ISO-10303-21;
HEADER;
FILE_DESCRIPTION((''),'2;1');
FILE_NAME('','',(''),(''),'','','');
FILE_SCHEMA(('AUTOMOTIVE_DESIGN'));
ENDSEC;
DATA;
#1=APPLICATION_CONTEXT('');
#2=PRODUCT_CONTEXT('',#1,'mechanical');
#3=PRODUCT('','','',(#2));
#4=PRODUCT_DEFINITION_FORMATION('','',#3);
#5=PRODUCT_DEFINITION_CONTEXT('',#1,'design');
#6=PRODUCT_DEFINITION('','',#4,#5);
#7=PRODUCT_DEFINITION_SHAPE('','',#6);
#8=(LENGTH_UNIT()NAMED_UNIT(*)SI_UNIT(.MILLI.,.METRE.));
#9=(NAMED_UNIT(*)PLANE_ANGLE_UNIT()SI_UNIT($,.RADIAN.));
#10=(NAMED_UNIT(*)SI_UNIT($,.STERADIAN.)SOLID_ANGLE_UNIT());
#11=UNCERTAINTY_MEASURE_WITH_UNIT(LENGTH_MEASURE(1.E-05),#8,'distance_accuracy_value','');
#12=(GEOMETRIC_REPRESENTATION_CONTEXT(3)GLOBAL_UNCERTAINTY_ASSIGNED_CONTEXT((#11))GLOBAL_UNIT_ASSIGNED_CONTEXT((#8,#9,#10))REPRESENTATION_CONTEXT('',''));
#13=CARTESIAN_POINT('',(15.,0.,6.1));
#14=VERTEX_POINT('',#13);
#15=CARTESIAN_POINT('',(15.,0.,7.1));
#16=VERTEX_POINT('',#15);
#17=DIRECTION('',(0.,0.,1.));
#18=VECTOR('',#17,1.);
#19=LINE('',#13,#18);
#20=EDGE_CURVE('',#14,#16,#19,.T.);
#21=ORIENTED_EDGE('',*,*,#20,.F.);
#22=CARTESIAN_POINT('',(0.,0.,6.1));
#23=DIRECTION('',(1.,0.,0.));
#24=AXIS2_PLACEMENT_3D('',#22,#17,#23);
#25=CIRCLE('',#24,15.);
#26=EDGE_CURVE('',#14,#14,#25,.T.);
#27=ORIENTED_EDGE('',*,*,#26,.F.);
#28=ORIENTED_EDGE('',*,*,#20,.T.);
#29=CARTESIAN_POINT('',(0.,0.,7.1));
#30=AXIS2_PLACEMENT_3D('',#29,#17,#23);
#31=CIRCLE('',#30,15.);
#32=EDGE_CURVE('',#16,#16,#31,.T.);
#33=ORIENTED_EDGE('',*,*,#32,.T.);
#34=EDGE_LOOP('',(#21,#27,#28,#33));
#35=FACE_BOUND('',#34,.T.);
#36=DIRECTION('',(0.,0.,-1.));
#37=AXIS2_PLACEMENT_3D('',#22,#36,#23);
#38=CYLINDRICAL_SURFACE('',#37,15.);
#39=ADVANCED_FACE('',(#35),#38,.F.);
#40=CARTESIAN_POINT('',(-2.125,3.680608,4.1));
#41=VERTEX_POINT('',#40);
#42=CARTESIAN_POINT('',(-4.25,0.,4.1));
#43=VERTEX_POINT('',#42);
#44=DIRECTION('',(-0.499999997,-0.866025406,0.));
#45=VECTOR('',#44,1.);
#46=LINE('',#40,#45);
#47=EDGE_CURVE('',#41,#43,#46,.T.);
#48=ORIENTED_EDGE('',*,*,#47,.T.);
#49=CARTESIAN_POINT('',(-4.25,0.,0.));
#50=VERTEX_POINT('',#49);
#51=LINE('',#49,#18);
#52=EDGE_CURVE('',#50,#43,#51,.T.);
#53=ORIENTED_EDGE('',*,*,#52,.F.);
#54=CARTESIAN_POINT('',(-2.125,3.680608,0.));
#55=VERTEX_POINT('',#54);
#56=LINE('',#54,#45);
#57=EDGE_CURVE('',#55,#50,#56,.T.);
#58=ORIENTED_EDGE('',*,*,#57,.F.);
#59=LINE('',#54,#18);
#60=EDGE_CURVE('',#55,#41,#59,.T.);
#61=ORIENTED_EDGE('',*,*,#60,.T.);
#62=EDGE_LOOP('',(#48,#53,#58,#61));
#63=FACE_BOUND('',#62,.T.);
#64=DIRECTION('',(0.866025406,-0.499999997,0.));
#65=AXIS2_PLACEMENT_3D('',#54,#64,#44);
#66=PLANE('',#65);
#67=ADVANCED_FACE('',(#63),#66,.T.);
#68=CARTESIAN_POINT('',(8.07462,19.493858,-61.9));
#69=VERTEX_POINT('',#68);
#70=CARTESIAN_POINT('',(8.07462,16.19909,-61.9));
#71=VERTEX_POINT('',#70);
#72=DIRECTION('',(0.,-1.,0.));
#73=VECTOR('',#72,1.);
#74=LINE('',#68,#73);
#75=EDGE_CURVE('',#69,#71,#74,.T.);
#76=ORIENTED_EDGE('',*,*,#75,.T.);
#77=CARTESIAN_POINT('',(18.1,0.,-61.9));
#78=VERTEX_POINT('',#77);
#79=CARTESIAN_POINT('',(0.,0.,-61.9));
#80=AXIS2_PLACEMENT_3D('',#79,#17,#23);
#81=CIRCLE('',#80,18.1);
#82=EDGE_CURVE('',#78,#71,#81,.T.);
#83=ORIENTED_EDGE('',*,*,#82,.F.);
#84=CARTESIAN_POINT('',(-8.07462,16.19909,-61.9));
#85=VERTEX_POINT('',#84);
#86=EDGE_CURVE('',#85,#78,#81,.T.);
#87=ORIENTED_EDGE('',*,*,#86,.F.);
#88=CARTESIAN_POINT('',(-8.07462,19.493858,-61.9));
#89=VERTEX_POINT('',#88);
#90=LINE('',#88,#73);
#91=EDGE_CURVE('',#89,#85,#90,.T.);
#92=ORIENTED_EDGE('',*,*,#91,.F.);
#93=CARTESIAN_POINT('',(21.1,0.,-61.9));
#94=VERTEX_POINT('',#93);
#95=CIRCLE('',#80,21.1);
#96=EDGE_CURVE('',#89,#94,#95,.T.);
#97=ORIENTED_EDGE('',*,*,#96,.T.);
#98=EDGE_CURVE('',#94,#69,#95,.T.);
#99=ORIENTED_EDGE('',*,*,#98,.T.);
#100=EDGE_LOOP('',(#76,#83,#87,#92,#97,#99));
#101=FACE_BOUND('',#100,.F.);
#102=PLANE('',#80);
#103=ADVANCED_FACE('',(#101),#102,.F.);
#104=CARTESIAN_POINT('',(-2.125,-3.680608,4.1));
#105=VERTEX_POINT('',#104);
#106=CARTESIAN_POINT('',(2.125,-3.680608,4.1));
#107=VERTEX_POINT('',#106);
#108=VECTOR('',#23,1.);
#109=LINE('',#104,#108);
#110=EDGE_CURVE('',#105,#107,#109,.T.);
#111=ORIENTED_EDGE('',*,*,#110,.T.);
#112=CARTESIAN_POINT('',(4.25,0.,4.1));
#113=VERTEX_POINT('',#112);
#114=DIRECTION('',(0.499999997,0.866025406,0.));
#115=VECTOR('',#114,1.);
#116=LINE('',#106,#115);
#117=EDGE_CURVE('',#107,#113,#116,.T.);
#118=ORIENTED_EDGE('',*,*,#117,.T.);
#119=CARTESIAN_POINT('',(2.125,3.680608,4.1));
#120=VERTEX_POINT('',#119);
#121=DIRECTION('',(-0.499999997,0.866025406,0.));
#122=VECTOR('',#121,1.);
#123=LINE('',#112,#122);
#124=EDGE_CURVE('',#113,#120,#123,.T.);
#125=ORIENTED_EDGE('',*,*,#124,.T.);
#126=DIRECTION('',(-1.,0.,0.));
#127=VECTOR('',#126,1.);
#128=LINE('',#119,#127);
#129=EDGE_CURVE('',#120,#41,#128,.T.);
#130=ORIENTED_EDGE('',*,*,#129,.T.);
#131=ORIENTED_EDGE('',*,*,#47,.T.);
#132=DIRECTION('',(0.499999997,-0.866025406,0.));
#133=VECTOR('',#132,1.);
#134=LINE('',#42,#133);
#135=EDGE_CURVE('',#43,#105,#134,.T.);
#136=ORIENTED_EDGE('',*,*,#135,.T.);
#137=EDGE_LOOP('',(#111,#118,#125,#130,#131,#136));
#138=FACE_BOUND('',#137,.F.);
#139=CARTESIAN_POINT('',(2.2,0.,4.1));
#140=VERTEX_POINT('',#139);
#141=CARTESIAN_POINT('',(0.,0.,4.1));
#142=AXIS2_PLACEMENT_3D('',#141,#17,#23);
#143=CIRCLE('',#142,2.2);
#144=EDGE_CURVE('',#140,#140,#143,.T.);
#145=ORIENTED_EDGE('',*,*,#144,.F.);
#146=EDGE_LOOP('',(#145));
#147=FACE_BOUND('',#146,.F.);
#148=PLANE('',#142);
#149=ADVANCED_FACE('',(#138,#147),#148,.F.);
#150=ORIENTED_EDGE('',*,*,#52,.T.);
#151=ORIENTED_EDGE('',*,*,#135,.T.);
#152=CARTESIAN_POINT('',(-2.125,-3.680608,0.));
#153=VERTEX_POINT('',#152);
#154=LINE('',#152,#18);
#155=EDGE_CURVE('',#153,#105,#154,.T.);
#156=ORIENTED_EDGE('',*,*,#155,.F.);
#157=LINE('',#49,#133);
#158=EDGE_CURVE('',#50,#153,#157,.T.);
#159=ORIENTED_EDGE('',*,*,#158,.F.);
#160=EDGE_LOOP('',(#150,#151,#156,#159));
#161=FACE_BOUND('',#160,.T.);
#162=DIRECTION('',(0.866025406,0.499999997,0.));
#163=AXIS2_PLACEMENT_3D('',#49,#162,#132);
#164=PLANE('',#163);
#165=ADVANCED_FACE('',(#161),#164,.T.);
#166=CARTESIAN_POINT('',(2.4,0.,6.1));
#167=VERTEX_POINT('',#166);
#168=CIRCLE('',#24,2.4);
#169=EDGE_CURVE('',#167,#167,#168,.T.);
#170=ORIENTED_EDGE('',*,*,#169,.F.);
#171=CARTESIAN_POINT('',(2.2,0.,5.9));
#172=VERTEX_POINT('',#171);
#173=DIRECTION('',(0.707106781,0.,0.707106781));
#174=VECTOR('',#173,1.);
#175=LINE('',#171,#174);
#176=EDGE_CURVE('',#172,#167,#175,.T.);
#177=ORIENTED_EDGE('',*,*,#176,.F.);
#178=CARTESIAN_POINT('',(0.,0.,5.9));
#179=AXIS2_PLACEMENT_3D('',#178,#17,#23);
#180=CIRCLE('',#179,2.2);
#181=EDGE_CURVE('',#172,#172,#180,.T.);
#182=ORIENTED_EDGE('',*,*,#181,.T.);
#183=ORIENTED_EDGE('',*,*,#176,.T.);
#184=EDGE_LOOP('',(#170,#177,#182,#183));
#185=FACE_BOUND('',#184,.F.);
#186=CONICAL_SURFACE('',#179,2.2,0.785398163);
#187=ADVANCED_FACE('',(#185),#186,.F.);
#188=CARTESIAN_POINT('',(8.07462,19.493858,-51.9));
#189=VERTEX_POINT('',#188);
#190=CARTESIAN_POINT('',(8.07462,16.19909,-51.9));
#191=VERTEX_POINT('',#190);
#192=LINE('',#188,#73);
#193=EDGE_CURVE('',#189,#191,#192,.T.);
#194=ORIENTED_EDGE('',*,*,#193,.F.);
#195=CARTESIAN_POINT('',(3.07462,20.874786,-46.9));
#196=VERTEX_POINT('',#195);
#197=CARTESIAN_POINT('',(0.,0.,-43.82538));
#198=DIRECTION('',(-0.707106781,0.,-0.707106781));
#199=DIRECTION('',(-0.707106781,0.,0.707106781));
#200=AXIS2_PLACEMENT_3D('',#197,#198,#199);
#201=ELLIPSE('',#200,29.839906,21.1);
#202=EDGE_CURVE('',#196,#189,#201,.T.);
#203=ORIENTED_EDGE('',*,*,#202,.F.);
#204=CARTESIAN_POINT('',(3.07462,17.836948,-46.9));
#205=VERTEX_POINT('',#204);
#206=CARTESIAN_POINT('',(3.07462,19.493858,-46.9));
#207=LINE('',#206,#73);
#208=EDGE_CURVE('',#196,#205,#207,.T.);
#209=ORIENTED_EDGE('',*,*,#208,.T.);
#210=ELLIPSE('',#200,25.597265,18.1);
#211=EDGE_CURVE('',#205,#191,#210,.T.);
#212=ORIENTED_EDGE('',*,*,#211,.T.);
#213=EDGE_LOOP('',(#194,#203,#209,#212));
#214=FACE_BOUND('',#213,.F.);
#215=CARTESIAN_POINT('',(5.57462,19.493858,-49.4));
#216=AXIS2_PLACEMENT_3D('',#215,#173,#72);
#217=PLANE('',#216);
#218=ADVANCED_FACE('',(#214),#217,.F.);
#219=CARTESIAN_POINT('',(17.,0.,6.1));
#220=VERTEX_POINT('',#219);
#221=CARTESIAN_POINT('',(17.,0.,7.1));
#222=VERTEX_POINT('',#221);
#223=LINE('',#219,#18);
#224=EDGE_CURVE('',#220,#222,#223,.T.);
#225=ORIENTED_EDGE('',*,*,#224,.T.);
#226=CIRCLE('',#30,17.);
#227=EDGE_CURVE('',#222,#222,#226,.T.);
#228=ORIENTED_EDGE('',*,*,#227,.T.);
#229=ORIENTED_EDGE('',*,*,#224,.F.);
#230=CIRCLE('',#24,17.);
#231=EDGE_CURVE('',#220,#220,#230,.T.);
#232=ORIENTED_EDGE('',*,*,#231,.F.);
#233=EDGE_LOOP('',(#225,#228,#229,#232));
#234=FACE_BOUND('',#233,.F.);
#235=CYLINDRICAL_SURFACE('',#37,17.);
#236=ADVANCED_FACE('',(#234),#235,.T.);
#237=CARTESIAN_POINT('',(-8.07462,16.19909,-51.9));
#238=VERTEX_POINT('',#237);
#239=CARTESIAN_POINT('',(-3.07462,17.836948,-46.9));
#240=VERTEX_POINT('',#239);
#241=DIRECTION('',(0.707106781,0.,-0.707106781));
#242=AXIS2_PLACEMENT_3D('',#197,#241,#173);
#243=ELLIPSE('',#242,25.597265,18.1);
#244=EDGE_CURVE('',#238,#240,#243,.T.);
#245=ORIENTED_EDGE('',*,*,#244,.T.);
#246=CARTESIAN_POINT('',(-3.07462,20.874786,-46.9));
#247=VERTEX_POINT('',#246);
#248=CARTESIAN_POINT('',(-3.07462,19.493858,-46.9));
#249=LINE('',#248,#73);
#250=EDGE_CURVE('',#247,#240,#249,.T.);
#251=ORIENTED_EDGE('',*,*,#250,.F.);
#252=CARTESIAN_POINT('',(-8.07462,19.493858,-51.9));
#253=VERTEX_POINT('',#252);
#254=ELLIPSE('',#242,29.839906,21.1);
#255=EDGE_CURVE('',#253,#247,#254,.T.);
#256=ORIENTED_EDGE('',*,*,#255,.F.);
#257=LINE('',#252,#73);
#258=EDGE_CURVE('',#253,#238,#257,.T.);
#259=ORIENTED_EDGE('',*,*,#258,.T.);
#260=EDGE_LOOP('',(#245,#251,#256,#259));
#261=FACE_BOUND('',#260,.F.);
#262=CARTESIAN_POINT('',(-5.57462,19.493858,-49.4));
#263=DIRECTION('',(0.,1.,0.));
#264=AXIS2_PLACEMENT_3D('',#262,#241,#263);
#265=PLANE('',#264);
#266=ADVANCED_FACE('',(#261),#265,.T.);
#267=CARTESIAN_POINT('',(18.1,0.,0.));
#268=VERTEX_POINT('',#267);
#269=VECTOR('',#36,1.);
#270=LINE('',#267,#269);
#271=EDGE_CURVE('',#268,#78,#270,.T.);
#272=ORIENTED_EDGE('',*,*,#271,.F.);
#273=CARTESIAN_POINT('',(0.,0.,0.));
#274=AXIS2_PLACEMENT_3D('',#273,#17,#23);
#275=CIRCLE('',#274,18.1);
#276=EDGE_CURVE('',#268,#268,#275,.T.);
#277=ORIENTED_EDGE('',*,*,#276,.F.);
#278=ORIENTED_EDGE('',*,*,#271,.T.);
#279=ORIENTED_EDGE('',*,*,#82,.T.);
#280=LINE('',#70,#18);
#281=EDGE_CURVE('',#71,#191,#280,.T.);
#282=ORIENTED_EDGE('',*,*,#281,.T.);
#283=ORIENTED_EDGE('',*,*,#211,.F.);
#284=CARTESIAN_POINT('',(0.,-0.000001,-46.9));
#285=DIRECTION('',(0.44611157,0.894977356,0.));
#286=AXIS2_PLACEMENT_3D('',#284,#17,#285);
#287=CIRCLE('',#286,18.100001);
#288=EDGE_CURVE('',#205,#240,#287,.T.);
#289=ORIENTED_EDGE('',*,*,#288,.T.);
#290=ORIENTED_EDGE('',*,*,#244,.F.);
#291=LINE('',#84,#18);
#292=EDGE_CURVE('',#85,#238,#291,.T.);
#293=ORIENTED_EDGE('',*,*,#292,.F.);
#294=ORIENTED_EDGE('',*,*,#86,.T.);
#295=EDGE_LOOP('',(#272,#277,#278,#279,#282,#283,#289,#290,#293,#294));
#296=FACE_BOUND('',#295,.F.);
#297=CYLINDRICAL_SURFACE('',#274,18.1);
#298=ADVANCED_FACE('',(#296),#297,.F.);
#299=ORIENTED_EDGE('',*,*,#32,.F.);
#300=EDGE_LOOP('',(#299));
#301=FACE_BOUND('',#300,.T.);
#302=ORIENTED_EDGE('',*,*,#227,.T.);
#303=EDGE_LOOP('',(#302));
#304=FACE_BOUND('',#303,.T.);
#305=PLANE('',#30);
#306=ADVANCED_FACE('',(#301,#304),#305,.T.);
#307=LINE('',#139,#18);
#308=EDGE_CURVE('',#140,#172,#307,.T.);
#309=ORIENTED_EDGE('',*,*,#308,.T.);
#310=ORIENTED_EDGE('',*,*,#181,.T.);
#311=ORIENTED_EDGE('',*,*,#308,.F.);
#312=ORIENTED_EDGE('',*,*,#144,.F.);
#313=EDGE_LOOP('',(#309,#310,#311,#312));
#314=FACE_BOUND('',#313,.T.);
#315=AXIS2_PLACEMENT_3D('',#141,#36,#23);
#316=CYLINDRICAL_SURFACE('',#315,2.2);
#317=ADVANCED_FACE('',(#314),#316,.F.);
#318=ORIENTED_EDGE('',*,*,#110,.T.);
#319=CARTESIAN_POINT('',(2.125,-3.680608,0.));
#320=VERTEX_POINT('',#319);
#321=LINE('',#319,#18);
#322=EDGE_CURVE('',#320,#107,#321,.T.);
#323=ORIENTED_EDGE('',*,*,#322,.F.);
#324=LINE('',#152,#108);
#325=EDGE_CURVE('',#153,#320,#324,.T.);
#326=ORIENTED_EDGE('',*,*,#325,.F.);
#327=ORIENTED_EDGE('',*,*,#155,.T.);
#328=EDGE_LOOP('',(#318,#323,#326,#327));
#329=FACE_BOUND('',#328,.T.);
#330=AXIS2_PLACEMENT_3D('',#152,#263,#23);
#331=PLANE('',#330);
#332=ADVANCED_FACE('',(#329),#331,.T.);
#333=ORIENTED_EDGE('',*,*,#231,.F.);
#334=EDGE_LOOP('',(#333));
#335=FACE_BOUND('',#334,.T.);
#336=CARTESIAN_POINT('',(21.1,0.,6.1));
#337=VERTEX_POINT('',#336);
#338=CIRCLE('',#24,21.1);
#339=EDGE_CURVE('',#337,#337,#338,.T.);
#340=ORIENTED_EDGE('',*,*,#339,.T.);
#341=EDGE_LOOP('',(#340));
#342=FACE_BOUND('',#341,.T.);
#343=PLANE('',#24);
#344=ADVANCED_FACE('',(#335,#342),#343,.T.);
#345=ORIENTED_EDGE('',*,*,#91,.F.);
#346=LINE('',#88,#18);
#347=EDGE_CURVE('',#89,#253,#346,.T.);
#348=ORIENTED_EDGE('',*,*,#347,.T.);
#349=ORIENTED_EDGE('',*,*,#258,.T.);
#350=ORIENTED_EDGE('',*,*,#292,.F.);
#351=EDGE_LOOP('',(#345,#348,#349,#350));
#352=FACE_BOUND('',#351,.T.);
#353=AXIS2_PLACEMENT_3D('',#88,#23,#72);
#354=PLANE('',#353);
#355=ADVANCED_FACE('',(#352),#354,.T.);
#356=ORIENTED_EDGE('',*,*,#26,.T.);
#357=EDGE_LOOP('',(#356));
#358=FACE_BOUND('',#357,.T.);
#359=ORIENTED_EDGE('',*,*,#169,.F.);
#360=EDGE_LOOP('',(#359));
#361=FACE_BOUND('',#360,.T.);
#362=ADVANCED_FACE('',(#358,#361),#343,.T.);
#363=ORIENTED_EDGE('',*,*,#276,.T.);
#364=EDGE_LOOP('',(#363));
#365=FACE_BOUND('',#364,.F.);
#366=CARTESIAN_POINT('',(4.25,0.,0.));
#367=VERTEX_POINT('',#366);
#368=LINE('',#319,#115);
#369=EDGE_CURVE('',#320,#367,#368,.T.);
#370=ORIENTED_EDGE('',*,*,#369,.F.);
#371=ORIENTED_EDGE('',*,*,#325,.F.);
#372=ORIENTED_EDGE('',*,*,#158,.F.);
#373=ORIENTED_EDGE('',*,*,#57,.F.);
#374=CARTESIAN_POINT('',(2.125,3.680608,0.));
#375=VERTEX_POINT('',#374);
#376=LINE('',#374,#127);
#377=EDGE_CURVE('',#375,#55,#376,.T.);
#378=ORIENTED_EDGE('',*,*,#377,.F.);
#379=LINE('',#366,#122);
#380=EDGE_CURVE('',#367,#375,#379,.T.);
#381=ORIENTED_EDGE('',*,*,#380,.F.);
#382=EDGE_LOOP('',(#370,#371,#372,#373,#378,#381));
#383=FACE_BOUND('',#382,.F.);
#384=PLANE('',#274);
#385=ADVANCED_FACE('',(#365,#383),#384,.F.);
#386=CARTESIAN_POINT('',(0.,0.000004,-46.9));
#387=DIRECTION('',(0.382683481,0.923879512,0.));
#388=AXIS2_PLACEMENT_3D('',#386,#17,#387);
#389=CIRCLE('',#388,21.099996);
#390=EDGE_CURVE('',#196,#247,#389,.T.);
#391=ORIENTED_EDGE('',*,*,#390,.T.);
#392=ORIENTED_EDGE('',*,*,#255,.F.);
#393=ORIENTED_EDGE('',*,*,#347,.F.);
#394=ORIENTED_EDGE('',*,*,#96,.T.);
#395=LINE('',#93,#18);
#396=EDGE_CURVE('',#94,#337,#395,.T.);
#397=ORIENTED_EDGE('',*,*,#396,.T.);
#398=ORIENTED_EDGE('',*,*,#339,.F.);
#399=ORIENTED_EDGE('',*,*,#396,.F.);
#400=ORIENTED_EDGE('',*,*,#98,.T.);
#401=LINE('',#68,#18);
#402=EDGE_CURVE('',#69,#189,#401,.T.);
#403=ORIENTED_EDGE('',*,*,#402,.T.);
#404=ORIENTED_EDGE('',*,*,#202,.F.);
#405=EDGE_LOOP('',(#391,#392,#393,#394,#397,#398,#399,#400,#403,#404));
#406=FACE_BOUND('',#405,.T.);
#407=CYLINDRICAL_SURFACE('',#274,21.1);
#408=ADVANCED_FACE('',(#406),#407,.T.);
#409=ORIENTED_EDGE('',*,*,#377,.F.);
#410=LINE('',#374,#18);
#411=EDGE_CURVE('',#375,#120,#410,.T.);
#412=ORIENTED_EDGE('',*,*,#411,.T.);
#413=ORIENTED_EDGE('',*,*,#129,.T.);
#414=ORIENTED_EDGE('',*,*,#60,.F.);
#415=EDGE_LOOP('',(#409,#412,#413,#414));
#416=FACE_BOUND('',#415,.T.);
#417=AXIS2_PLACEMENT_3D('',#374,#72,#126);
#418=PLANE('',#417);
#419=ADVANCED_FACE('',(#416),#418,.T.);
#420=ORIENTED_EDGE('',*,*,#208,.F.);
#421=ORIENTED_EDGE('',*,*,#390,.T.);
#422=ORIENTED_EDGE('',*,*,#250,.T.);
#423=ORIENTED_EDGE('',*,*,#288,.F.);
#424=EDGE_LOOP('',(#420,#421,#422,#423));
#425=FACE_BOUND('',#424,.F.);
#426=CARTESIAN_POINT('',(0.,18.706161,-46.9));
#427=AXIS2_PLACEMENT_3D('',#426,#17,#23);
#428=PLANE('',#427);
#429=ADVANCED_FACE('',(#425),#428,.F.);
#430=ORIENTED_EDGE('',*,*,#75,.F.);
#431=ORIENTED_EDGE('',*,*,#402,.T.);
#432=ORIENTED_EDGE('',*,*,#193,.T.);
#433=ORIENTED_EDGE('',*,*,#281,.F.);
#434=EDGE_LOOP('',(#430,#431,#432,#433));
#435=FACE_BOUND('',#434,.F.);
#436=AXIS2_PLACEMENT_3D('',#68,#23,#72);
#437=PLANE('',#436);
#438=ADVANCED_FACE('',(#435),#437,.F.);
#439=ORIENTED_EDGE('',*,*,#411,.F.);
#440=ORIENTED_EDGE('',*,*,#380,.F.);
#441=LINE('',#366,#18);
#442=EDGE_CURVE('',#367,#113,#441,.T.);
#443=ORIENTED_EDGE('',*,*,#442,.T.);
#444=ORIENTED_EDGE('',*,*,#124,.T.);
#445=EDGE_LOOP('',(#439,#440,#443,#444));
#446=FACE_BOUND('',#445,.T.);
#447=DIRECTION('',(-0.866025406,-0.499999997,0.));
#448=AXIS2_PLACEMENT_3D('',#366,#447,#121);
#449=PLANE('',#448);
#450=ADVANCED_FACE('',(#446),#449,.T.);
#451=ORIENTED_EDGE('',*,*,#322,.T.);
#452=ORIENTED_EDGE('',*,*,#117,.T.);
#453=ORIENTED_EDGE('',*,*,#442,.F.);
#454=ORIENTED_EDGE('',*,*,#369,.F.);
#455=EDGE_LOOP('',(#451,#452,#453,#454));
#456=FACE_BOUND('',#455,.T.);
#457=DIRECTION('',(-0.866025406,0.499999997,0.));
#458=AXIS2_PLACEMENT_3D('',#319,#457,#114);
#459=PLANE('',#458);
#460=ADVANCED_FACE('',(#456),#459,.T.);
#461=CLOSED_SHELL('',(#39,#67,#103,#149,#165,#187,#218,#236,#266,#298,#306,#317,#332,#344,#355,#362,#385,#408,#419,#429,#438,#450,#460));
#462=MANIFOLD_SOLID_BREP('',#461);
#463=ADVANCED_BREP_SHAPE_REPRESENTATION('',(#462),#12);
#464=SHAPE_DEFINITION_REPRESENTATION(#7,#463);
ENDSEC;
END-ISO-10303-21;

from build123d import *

# Parameters (mm, degrees)
SKETCH013_R     = 21.1
PAD004_DEPTH    = 4.1
SKETCH014_R     = 21.1
SKETCH014_R_2   = 2.2
PAD005_DEPTH    = 2
SKETCH012_R     = 17
SKETCH012_R_2   = 15
PAD006_DEPTH    = 1
CHAMFER003_SIZE = 0.2
SKETCH015_R     = 21.1
SKETCH015_R_2   = 18.1
PAD007_DEPTH    = 61.9
POCKET007_DEPTH = 15
CHAMFER004_SIZE = 5


with BuildPart() as part:
    # Sketch013 → Pad004 (new body)
    with BuildSketch(Plane.XY):
        Circle(SKETCH013_R)
        Polygon((2.125, -3.680608), (4.25, 0), (2.125, 3.680608), (-2.125, 3.680608), (-4.25, 0), (-2.125, -3.680608), align=None, mode=Mode.SUBTRACT)
    extrude(amount=PAD004_DEPTH)

    # Sketch014 → Pad005 (join)
    with BuildSketch(Plane.XY.offset(4.1)):
        Circle(SKETCH014_R)
        Circle(SKETCH014_R_2, mode=Mode.SUBTRACT)
    extrude(amount=PAD005_DEPTH)

    # Sketch012 → Pad006 (join)
    with BuildSketch(Plane.XY.offset(6.1)):
        Circle(SKETCH012_R)
        Circle(SKETCH012_R_2, mode=Mode.SUBTRACT)
    extrude(amount=PAD006_DEPTH)

    # Chamfer003
    chamfer003_edges = [part.edges().sort_by_distance(p)[0] for p in [
        (-2.2, 0, 6.1),
        (15, 0, 6.6),
    ]]
    chamfer(chamfer003_edges, length=CHAMFER003_SIZE)

    # Sketch015 → Pad007 (join)
    with BuildSketch(Plane.XY):
        Circle(SKETCH015_R)
        Circle(SKETCH015_R_2, mode=Mode.SUBTRACT)
    extrude(amount=-PAD007_DEPTH)

    # Sketch016 → Pocket007 (cut)
    with BuildSketch(Plane.XY.offset(-61.9)):
        with BuildLine():
            ThreePointArc((8.07462, 19.493858), (0, 21.1), (-8.07462, 19.493858))
            Line((-8.07462, 19.493858), (-8.07462, 16.19909))
            ThreePointArc((8.07462, 16.19909), (0, 18.1), (-8.07462, 16.19909))
            Line((8.07462, 19.493858), (8.07462, 16.19909))
        make_face()
    extrude(amount=POCKET007_DEPTH, mode=Mode.SUBTRACT)

    # Chamfer004
    chamfer004_edges = [part.edges().sort_by_distance(p)[0] for p in [
        (8.07462, 17.846474, -46.9),
        (-8.07462, 17.846474, -46.9),
    ]]
    chamfer(chamfer004_edges, length=CHAMFER004_SIZE)


solid = part.part
